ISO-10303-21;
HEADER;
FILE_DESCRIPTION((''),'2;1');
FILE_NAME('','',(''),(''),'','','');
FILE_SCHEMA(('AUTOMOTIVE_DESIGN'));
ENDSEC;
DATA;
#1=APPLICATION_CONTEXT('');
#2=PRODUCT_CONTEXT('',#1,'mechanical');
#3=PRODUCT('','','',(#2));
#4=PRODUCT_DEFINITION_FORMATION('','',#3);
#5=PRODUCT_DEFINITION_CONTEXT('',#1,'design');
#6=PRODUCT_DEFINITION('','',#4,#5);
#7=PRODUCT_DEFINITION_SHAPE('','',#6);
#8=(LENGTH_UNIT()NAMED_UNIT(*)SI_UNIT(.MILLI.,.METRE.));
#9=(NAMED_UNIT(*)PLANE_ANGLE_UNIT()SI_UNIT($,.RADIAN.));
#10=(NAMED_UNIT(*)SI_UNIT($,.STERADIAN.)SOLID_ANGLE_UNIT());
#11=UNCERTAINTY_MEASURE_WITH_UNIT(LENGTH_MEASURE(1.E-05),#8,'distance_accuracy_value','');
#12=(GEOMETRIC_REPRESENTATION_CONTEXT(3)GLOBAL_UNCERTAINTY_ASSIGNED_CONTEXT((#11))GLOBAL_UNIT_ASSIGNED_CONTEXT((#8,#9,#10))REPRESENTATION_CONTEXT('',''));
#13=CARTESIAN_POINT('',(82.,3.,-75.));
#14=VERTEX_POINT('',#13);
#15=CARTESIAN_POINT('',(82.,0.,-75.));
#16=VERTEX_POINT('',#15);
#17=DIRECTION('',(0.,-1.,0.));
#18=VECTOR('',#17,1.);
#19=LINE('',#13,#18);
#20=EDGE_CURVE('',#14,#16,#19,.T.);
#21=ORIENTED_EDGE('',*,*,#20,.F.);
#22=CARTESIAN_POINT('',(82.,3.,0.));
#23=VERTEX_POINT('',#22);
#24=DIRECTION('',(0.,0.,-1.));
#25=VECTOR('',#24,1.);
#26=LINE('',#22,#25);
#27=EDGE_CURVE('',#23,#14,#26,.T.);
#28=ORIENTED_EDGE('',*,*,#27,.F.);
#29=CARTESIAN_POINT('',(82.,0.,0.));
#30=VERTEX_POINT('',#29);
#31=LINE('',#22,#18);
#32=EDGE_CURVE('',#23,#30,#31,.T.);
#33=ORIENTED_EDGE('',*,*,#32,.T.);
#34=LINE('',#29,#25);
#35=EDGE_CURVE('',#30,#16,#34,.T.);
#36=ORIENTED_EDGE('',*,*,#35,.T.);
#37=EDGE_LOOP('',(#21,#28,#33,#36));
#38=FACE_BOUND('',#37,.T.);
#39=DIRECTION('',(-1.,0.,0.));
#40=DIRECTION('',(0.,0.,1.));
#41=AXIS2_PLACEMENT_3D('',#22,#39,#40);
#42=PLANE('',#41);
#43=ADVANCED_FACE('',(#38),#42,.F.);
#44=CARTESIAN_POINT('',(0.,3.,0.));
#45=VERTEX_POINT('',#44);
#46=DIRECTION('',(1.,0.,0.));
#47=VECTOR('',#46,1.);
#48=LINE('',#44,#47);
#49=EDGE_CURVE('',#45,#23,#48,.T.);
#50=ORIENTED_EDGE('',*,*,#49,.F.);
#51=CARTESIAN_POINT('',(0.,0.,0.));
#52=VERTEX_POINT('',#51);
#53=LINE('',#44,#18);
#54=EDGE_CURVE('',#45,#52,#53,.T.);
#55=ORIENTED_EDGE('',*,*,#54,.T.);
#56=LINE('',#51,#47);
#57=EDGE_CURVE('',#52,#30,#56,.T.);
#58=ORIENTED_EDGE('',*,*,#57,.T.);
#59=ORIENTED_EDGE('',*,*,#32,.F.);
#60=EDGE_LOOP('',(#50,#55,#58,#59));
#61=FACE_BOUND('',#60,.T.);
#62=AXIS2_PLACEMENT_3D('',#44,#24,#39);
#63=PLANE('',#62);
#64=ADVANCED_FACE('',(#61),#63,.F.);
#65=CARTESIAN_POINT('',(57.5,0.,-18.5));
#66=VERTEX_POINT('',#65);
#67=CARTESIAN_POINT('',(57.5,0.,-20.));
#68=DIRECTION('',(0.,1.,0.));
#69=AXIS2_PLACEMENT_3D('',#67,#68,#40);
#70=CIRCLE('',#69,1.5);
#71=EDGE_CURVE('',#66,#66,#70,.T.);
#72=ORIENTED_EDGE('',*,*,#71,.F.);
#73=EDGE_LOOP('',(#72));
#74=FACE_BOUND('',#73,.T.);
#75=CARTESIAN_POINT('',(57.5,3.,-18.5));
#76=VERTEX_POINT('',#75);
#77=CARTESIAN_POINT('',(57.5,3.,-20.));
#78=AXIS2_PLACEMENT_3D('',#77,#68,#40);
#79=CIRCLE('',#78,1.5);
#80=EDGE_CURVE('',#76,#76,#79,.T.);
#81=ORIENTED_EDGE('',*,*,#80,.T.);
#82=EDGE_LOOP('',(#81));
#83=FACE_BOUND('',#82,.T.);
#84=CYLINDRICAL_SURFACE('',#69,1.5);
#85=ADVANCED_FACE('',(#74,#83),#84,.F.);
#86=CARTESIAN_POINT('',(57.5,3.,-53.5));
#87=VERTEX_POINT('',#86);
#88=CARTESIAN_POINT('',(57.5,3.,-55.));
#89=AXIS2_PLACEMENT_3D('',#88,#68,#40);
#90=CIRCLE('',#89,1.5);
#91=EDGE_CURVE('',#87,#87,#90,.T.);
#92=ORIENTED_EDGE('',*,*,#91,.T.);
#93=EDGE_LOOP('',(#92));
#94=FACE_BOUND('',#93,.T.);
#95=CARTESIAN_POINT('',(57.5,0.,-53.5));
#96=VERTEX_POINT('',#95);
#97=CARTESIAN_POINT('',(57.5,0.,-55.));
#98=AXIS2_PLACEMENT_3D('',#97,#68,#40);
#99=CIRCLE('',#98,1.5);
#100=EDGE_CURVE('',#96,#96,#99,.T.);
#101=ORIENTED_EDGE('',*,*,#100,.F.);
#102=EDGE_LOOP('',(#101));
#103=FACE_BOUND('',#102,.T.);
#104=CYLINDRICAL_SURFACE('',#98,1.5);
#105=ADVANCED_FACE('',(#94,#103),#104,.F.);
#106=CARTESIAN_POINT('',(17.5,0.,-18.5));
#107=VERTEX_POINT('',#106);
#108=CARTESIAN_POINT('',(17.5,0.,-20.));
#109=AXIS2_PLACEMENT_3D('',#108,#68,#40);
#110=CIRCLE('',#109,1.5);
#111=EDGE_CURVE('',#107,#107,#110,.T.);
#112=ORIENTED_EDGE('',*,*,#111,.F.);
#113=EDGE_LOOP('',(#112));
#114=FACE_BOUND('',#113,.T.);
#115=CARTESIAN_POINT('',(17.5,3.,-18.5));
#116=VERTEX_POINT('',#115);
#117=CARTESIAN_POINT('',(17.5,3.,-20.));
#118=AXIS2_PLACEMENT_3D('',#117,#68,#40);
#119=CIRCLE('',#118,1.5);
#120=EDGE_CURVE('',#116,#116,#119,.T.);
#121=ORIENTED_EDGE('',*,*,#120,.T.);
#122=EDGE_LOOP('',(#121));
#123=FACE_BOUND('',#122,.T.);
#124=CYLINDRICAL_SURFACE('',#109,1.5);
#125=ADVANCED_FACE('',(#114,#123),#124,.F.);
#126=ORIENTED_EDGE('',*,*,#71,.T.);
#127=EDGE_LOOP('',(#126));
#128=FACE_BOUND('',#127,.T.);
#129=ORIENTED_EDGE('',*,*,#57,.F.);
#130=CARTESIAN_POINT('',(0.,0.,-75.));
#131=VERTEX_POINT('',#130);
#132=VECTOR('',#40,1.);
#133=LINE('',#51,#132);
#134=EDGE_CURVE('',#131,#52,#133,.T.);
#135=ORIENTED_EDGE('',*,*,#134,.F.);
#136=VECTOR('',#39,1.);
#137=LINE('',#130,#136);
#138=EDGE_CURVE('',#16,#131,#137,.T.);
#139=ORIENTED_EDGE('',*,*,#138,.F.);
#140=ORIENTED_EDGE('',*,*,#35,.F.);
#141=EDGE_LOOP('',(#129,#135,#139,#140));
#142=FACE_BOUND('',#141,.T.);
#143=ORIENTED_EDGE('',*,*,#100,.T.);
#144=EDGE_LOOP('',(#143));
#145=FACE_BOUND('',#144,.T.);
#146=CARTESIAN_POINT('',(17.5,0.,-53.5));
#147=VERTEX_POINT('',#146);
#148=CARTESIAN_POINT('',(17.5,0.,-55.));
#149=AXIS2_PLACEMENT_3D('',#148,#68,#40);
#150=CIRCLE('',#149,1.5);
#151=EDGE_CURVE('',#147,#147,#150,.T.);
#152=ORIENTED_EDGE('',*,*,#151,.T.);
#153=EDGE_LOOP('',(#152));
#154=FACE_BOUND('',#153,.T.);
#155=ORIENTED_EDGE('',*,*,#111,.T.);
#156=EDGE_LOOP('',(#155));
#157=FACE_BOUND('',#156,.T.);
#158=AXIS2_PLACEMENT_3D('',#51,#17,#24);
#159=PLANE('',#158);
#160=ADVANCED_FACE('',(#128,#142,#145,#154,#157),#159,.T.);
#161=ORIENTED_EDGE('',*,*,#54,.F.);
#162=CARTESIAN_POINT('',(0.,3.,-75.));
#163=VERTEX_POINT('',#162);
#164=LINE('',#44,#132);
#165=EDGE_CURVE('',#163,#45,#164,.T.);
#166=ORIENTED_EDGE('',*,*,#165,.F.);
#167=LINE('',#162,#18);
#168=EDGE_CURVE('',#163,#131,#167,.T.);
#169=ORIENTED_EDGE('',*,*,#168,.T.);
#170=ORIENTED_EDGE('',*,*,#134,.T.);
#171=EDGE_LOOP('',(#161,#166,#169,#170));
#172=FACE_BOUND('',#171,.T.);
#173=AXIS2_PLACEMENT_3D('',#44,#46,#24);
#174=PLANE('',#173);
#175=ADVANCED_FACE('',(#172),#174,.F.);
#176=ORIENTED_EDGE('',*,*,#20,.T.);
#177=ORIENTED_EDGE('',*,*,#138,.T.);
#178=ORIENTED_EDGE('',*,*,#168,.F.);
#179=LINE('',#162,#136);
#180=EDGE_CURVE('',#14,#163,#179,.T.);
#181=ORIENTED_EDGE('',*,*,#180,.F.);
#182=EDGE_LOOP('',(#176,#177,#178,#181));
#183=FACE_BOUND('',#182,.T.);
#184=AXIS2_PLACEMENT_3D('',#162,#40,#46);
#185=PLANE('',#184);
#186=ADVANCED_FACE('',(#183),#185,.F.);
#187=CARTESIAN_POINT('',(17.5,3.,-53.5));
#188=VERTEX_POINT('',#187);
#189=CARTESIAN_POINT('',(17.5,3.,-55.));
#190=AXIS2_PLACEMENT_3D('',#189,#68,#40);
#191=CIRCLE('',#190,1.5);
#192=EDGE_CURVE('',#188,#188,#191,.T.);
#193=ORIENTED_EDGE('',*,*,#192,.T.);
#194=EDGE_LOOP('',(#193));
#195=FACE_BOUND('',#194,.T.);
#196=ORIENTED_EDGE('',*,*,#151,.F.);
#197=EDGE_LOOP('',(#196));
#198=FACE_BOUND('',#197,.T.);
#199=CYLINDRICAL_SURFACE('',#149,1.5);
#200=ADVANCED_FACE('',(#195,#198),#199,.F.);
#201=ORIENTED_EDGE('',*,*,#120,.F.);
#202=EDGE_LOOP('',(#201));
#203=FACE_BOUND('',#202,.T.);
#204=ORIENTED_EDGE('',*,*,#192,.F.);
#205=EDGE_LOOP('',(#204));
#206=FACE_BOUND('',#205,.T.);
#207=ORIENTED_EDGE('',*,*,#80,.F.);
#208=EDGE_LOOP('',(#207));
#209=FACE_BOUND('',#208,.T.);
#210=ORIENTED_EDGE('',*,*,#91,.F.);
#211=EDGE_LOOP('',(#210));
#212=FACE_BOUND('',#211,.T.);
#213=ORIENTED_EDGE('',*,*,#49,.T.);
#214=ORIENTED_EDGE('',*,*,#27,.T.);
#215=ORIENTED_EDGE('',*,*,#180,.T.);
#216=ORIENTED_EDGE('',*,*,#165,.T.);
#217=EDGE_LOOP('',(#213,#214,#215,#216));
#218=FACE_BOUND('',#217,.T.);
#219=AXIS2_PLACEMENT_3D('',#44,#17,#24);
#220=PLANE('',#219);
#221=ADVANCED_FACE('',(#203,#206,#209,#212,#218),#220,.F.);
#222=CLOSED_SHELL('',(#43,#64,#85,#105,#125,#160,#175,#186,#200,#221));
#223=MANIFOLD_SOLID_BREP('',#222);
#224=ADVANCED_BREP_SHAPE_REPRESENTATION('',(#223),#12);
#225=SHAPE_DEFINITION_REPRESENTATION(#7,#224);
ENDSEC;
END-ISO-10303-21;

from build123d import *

# Parameters (mm, degrees)
SKETCH1_W           = 82
SKETCH1_H           = 75
BOSS_EXTRUDE1_DEPTH = 3
SKETCH5_R           = 1.5
CUT_EXTRUDE2_DEPTH  = 3


with BuildPart() as part:
    # Sketch1 → Boss-Extrude1 (new body)
    with BuildSketch(Plane(origin=(0, 0, 0), x_dir=(1, 0, 0), z_dir=(0, 1, 0))):
        with Locations((41, 37.5)):
            Rectangle(SKETCH1_W, SKETCH1_H)
    extrude(amount=BOSS_EXTRUDE1_DEPTH)

    # Sketch5 → Cut-Extrude2 (cut)
    with BuildSketch(Plane(origin=(0, 3, 0), x_dir=(1, 0, 0), z_dir=(0, 1, 0))):
        with Locations(Location((17.5, 55, 0), (0, 0, 270))):
            Circle(SKETCH5_R)
        with Locations(Location((57.5, 55, 0), (0, 0, 270))):
            Circle(SKETCH5_R)
        with Locations(Location((17.5, 20, 0), (0, 0, 270))):
            Circle(SKETCH5_R)
        with Locations(Location((57.5, 20, 0), (0, 0, 270))):
            Circle(SKETCH5_R)
    extrude(amount=-CUT_EXTRUDE2_DEPTH, mode=Mode.SUBTRACT)


solid = part.part
